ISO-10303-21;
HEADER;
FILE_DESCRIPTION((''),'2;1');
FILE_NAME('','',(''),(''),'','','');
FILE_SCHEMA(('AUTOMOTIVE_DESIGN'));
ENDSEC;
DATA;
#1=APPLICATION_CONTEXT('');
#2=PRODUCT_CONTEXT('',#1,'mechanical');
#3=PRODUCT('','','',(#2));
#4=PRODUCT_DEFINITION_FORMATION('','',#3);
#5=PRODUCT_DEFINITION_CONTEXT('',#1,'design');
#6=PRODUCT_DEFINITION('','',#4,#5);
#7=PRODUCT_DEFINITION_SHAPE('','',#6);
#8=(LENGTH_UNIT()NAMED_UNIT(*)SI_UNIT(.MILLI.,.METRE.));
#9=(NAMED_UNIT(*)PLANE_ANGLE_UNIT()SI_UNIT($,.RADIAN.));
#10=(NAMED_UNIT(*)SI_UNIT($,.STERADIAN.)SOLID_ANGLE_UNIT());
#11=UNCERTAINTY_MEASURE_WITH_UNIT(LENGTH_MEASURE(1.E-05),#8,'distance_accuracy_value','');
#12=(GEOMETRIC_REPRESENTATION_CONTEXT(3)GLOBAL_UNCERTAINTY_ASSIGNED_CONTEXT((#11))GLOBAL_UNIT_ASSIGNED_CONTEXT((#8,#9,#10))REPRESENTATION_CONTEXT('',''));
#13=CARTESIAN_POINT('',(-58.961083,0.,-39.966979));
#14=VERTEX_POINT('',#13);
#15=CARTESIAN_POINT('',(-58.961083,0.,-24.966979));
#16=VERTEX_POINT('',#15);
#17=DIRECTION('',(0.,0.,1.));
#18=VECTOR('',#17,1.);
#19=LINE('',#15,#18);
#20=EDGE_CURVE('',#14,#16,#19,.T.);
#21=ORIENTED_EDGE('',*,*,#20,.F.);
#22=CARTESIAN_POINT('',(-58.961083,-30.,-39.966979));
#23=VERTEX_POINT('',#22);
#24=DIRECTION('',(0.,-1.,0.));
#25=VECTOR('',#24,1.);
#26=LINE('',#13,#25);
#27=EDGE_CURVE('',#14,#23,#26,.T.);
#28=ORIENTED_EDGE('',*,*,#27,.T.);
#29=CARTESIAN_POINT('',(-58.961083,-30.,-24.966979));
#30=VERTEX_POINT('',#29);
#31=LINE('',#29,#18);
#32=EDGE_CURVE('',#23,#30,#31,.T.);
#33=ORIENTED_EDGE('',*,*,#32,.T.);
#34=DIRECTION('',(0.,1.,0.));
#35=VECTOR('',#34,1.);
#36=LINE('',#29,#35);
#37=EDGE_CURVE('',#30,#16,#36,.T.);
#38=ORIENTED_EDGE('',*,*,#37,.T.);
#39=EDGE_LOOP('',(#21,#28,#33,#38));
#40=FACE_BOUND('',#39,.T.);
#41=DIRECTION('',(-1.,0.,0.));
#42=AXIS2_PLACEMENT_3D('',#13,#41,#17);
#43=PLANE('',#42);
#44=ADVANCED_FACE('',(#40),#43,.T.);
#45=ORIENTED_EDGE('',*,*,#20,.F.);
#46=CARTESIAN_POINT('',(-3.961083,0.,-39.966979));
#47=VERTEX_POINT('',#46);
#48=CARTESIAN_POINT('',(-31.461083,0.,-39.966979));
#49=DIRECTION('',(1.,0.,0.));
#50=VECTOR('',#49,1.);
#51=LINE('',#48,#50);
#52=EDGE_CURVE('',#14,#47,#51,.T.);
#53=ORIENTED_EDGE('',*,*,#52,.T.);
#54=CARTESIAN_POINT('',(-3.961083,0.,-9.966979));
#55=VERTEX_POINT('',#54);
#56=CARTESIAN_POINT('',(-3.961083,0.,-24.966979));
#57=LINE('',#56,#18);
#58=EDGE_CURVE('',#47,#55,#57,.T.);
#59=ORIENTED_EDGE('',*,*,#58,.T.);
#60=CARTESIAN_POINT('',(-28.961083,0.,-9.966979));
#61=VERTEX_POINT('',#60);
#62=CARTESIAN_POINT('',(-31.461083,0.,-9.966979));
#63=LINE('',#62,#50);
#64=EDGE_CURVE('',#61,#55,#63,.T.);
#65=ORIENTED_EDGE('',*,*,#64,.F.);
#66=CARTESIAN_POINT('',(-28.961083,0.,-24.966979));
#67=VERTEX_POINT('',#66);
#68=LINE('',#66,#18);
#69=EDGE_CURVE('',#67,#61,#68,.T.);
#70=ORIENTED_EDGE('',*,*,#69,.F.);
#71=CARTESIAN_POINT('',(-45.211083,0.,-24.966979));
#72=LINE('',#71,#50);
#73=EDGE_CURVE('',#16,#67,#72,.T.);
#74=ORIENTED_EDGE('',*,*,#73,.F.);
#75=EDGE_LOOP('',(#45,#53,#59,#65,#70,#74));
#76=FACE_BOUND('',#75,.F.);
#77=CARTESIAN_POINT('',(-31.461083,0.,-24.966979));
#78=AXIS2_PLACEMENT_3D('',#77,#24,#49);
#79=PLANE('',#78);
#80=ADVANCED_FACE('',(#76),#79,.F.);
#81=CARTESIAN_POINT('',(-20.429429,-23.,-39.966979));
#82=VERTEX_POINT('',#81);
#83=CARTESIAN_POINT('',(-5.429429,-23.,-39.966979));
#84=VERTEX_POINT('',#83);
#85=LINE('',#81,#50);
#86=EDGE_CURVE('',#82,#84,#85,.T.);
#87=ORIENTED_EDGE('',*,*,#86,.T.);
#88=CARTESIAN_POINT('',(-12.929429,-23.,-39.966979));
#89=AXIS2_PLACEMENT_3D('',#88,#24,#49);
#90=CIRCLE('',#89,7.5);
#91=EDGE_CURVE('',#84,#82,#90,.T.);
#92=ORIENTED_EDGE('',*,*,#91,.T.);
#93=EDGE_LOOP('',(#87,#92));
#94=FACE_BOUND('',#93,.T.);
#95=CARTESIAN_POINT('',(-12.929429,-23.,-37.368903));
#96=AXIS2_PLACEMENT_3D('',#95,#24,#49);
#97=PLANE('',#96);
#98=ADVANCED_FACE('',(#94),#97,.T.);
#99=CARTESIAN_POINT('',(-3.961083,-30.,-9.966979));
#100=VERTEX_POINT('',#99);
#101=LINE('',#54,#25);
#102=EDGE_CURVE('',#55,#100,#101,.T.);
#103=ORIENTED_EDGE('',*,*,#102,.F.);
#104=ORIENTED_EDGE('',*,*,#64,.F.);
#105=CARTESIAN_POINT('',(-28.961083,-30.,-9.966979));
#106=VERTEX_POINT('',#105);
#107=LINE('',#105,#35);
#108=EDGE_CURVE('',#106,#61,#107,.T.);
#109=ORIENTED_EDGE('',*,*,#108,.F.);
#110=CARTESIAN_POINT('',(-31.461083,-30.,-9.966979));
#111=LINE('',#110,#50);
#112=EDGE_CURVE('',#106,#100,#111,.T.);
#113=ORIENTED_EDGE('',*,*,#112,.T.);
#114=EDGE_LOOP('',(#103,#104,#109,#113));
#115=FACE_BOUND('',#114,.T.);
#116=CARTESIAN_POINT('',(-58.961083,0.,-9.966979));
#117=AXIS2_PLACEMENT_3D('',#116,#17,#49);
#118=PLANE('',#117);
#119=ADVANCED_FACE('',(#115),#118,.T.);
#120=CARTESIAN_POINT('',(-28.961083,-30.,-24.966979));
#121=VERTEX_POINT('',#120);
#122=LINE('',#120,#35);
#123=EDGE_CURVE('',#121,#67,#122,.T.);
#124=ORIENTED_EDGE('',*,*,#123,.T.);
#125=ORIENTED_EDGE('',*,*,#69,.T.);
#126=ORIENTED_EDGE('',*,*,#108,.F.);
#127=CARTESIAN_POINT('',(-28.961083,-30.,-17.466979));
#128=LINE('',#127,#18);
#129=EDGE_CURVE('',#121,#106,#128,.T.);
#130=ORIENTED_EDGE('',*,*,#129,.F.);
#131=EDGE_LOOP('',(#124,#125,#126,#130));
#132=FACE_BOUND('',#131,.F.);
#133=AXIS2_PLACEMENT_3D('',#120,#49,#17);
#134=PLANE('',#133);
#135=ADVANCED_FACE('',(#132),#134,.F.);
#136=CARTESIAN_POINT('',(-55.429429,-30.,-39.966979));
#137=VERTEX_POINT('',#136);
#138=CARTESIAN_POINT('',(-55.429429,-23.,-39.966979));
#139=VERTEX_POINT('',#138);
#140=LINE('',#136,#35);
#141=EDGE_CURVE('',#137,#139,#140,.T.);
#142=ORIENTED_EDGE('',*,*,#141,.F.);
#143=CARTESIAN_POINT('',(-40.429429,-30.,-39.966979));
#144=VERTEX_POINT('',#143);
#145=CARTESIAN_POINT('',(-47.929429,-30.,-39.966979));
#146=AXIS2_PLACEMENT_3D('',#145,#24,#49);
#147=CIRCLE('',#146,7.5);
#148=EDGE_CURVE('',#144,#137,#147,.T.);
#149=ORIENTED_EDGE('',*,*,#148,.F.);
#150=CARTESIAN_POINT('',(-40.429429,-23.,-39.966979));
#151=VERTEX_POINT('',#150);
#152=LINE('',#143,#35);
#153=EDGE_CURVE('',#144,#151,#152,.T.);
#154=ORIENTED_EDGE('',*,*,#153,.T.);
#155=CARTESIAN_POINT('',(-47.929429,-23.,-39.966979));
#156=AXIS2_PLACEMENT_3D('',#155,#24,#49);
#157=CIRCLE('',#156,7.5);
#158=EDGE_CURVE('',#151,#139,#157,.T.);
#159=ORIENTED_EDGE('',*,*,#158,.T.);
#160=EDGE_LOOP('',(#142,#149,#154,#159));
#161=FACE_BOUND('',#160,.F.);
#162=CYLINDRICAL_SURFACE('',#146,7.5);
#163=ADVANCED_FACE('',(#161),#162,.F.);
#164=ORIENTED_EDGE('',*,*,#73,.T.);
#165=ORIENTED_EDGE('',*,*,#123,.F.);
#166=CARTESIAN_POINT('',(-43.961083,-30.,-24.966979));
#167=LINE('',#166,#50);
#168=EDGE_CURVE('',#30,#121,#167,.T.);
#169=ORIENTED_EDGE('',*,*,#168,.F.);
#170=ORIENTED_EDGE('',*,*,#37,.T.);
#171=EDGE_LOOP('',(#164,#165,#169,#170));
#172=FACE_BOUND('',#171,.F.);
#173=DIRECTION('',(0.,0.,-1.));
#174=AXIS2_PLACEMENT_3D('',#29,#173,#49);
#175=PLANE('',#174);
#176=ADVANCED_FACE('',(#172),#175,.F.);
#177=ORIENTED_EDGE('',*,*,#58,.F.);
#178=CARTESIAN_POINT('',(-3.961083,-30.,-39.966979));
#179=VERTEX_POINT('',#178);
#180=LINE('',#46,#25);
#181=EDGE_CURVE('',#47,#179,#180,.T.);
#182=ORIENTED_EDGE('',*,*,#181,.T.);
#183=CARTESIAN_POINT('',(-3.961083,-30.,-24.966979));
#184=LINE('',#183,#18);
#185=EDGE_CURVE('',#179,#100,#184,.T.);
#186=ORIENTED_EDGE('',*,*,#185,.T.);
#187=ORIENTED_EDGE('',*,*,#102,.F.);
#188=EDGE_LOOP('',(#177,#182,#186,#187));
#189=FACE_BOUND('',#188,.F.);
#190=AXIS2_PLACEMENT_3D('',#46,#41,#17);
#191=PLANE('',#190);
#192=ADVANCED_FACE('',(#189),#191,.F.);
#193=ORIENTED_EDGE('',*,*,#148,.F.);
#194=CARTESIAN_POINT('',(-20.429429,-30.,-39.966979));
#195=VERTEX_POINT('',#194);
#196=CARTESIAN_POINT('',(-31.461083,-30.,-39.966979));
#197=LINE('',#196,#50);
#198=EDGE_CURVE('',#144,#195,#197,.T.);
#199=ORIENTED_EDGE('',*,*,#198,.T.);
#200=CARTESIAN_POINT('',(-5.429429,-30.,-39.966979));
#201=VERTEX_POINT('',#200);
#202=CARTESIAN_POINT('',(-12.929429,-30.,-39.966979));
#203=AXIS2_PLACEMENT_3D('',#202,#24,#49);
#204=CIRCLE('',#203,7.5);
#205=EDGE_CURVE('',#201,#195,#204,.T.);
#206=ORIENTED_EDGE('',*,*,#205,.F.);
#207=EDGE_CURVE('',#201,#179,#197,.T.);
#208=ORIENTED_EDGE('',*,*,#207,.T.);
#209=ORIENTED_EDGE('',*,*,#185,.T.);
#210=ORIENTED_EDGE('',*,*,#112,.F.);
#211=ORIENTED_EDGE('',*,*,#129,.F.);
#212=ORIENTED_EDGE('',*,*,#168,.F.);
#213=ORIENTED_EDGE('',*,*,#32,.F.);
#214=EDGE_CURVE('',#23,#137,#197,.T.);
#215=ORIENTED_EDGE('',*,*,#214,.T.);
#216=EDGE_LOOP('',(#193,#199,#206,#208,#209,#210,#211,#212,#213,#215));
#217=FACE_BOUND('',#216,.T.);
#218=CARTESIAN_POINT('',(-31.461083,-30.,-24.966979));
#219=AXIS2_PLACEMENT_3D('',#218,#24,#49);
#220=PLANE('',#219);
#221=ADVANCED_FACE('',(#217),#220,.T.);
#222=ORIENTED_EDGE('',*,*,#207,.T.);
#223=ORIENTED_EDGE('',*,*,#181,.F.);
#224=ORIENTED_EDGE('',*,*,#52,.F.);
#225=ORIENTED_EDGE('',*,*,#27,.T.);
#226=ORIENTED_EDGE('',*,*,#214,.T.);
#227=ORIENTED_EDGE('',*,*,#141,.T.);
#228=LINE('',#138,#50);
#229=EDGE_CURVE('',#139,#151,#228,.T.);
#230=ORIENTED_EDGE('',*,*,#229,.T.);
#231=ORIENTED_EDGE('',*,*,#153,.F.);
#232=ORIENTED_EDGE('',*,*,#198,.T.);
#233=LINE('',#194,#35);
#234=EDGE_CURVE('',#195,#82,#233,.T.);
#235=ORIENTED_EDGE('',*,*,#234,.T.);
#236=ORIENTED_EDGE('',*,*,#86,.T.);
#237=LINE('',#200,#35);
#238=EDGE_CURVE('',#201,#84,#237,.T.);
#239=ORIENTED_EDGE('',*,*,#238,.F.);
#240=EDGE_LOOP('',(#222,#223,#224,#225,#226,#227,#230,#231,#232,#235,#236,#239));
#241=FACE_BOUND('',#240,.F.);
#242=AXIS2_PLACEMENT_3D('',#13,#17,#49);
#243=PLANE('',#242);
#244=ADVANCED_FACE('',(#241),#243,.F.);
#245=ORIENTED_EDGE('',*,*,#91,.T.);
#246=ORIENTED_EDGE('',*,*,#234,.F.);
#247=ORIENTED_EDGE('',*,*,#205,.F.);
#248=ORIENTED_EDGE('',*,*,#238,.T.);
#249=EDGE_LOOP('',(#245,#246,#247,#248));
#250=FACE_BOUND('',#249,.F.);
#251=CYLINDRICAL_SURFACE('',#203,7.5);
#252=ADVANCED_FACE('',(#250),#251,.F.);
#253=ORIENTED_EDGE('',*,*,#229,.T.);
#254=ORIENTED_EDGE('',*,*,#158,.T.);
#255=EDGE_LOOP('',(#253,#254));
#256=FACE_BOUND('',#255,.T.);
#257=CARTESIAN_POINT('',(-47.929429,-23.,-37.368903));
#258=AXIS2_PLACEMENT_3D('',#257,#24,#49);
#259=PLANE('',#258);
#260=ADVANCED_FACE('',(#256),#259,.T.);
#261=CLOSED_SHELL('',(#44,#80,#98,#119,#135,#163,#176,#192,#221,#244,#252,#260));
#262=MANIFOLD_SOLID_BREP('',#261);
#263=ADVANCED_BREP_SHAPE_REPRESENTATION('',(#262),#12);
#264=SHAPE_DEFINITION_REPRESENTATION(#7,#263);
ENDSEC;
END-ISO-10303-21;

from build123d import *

# Parameters (mm, degrees)
F0_W     = 55
F0_H     = 30
F1_DEPTH = 30
F2_W     = 30
F2_H     = 15
F3_DEPTH = 30.001
F5_DEPTH = 7


with BuildPart() as f1:
    # F0 (on Front) → F1 (new body)
    with BuildSketch(Plane.XZ):
        with Locations((-31.4610829165, -24.9669793993)):
            Rectangle(F0_W, F0_H)
    extrude(amount=F1_DEPTH)

    # F2 (on face) → F3 (cut, through all)
    with BuildSketch(Plane.XZ.offset(30)):
        with Locations((-43.9610829165, -17.4669793993)):
            Rectangle(F2_W, F2_H)
    extrude(amount=-F3_DEPTH, mode=Mode.SUBTRACT)

    # F4 (on face) → F5 (cut)
    with BuildSketch(Plane.XZ.offset(30)):
        with BuildLine():
            Line((-55.4294285178, -39.9669793993), (-40.4294285178, -39.9669793993))
            ThreePointArc((-40.4294285178, -39.9669793993), (-47.9294285178, -32.4669793993), (-55.4294285178, -39.9669793993))
        make_face()
        with BuildLine():
            ThreePointArc((-5.4294285178, -39.9669793993), (-12.9294285178, -32.4669793993), (-20.4294285178, -39.9669793993))
            Line((-20.4294285178, -39.9669793993), (-5.4294285178, -39.9669793993))
        make_face()
    extrude(amount=-F5_DEPTH, mode=Mode.SUBTRACT)


solid = f1.part
